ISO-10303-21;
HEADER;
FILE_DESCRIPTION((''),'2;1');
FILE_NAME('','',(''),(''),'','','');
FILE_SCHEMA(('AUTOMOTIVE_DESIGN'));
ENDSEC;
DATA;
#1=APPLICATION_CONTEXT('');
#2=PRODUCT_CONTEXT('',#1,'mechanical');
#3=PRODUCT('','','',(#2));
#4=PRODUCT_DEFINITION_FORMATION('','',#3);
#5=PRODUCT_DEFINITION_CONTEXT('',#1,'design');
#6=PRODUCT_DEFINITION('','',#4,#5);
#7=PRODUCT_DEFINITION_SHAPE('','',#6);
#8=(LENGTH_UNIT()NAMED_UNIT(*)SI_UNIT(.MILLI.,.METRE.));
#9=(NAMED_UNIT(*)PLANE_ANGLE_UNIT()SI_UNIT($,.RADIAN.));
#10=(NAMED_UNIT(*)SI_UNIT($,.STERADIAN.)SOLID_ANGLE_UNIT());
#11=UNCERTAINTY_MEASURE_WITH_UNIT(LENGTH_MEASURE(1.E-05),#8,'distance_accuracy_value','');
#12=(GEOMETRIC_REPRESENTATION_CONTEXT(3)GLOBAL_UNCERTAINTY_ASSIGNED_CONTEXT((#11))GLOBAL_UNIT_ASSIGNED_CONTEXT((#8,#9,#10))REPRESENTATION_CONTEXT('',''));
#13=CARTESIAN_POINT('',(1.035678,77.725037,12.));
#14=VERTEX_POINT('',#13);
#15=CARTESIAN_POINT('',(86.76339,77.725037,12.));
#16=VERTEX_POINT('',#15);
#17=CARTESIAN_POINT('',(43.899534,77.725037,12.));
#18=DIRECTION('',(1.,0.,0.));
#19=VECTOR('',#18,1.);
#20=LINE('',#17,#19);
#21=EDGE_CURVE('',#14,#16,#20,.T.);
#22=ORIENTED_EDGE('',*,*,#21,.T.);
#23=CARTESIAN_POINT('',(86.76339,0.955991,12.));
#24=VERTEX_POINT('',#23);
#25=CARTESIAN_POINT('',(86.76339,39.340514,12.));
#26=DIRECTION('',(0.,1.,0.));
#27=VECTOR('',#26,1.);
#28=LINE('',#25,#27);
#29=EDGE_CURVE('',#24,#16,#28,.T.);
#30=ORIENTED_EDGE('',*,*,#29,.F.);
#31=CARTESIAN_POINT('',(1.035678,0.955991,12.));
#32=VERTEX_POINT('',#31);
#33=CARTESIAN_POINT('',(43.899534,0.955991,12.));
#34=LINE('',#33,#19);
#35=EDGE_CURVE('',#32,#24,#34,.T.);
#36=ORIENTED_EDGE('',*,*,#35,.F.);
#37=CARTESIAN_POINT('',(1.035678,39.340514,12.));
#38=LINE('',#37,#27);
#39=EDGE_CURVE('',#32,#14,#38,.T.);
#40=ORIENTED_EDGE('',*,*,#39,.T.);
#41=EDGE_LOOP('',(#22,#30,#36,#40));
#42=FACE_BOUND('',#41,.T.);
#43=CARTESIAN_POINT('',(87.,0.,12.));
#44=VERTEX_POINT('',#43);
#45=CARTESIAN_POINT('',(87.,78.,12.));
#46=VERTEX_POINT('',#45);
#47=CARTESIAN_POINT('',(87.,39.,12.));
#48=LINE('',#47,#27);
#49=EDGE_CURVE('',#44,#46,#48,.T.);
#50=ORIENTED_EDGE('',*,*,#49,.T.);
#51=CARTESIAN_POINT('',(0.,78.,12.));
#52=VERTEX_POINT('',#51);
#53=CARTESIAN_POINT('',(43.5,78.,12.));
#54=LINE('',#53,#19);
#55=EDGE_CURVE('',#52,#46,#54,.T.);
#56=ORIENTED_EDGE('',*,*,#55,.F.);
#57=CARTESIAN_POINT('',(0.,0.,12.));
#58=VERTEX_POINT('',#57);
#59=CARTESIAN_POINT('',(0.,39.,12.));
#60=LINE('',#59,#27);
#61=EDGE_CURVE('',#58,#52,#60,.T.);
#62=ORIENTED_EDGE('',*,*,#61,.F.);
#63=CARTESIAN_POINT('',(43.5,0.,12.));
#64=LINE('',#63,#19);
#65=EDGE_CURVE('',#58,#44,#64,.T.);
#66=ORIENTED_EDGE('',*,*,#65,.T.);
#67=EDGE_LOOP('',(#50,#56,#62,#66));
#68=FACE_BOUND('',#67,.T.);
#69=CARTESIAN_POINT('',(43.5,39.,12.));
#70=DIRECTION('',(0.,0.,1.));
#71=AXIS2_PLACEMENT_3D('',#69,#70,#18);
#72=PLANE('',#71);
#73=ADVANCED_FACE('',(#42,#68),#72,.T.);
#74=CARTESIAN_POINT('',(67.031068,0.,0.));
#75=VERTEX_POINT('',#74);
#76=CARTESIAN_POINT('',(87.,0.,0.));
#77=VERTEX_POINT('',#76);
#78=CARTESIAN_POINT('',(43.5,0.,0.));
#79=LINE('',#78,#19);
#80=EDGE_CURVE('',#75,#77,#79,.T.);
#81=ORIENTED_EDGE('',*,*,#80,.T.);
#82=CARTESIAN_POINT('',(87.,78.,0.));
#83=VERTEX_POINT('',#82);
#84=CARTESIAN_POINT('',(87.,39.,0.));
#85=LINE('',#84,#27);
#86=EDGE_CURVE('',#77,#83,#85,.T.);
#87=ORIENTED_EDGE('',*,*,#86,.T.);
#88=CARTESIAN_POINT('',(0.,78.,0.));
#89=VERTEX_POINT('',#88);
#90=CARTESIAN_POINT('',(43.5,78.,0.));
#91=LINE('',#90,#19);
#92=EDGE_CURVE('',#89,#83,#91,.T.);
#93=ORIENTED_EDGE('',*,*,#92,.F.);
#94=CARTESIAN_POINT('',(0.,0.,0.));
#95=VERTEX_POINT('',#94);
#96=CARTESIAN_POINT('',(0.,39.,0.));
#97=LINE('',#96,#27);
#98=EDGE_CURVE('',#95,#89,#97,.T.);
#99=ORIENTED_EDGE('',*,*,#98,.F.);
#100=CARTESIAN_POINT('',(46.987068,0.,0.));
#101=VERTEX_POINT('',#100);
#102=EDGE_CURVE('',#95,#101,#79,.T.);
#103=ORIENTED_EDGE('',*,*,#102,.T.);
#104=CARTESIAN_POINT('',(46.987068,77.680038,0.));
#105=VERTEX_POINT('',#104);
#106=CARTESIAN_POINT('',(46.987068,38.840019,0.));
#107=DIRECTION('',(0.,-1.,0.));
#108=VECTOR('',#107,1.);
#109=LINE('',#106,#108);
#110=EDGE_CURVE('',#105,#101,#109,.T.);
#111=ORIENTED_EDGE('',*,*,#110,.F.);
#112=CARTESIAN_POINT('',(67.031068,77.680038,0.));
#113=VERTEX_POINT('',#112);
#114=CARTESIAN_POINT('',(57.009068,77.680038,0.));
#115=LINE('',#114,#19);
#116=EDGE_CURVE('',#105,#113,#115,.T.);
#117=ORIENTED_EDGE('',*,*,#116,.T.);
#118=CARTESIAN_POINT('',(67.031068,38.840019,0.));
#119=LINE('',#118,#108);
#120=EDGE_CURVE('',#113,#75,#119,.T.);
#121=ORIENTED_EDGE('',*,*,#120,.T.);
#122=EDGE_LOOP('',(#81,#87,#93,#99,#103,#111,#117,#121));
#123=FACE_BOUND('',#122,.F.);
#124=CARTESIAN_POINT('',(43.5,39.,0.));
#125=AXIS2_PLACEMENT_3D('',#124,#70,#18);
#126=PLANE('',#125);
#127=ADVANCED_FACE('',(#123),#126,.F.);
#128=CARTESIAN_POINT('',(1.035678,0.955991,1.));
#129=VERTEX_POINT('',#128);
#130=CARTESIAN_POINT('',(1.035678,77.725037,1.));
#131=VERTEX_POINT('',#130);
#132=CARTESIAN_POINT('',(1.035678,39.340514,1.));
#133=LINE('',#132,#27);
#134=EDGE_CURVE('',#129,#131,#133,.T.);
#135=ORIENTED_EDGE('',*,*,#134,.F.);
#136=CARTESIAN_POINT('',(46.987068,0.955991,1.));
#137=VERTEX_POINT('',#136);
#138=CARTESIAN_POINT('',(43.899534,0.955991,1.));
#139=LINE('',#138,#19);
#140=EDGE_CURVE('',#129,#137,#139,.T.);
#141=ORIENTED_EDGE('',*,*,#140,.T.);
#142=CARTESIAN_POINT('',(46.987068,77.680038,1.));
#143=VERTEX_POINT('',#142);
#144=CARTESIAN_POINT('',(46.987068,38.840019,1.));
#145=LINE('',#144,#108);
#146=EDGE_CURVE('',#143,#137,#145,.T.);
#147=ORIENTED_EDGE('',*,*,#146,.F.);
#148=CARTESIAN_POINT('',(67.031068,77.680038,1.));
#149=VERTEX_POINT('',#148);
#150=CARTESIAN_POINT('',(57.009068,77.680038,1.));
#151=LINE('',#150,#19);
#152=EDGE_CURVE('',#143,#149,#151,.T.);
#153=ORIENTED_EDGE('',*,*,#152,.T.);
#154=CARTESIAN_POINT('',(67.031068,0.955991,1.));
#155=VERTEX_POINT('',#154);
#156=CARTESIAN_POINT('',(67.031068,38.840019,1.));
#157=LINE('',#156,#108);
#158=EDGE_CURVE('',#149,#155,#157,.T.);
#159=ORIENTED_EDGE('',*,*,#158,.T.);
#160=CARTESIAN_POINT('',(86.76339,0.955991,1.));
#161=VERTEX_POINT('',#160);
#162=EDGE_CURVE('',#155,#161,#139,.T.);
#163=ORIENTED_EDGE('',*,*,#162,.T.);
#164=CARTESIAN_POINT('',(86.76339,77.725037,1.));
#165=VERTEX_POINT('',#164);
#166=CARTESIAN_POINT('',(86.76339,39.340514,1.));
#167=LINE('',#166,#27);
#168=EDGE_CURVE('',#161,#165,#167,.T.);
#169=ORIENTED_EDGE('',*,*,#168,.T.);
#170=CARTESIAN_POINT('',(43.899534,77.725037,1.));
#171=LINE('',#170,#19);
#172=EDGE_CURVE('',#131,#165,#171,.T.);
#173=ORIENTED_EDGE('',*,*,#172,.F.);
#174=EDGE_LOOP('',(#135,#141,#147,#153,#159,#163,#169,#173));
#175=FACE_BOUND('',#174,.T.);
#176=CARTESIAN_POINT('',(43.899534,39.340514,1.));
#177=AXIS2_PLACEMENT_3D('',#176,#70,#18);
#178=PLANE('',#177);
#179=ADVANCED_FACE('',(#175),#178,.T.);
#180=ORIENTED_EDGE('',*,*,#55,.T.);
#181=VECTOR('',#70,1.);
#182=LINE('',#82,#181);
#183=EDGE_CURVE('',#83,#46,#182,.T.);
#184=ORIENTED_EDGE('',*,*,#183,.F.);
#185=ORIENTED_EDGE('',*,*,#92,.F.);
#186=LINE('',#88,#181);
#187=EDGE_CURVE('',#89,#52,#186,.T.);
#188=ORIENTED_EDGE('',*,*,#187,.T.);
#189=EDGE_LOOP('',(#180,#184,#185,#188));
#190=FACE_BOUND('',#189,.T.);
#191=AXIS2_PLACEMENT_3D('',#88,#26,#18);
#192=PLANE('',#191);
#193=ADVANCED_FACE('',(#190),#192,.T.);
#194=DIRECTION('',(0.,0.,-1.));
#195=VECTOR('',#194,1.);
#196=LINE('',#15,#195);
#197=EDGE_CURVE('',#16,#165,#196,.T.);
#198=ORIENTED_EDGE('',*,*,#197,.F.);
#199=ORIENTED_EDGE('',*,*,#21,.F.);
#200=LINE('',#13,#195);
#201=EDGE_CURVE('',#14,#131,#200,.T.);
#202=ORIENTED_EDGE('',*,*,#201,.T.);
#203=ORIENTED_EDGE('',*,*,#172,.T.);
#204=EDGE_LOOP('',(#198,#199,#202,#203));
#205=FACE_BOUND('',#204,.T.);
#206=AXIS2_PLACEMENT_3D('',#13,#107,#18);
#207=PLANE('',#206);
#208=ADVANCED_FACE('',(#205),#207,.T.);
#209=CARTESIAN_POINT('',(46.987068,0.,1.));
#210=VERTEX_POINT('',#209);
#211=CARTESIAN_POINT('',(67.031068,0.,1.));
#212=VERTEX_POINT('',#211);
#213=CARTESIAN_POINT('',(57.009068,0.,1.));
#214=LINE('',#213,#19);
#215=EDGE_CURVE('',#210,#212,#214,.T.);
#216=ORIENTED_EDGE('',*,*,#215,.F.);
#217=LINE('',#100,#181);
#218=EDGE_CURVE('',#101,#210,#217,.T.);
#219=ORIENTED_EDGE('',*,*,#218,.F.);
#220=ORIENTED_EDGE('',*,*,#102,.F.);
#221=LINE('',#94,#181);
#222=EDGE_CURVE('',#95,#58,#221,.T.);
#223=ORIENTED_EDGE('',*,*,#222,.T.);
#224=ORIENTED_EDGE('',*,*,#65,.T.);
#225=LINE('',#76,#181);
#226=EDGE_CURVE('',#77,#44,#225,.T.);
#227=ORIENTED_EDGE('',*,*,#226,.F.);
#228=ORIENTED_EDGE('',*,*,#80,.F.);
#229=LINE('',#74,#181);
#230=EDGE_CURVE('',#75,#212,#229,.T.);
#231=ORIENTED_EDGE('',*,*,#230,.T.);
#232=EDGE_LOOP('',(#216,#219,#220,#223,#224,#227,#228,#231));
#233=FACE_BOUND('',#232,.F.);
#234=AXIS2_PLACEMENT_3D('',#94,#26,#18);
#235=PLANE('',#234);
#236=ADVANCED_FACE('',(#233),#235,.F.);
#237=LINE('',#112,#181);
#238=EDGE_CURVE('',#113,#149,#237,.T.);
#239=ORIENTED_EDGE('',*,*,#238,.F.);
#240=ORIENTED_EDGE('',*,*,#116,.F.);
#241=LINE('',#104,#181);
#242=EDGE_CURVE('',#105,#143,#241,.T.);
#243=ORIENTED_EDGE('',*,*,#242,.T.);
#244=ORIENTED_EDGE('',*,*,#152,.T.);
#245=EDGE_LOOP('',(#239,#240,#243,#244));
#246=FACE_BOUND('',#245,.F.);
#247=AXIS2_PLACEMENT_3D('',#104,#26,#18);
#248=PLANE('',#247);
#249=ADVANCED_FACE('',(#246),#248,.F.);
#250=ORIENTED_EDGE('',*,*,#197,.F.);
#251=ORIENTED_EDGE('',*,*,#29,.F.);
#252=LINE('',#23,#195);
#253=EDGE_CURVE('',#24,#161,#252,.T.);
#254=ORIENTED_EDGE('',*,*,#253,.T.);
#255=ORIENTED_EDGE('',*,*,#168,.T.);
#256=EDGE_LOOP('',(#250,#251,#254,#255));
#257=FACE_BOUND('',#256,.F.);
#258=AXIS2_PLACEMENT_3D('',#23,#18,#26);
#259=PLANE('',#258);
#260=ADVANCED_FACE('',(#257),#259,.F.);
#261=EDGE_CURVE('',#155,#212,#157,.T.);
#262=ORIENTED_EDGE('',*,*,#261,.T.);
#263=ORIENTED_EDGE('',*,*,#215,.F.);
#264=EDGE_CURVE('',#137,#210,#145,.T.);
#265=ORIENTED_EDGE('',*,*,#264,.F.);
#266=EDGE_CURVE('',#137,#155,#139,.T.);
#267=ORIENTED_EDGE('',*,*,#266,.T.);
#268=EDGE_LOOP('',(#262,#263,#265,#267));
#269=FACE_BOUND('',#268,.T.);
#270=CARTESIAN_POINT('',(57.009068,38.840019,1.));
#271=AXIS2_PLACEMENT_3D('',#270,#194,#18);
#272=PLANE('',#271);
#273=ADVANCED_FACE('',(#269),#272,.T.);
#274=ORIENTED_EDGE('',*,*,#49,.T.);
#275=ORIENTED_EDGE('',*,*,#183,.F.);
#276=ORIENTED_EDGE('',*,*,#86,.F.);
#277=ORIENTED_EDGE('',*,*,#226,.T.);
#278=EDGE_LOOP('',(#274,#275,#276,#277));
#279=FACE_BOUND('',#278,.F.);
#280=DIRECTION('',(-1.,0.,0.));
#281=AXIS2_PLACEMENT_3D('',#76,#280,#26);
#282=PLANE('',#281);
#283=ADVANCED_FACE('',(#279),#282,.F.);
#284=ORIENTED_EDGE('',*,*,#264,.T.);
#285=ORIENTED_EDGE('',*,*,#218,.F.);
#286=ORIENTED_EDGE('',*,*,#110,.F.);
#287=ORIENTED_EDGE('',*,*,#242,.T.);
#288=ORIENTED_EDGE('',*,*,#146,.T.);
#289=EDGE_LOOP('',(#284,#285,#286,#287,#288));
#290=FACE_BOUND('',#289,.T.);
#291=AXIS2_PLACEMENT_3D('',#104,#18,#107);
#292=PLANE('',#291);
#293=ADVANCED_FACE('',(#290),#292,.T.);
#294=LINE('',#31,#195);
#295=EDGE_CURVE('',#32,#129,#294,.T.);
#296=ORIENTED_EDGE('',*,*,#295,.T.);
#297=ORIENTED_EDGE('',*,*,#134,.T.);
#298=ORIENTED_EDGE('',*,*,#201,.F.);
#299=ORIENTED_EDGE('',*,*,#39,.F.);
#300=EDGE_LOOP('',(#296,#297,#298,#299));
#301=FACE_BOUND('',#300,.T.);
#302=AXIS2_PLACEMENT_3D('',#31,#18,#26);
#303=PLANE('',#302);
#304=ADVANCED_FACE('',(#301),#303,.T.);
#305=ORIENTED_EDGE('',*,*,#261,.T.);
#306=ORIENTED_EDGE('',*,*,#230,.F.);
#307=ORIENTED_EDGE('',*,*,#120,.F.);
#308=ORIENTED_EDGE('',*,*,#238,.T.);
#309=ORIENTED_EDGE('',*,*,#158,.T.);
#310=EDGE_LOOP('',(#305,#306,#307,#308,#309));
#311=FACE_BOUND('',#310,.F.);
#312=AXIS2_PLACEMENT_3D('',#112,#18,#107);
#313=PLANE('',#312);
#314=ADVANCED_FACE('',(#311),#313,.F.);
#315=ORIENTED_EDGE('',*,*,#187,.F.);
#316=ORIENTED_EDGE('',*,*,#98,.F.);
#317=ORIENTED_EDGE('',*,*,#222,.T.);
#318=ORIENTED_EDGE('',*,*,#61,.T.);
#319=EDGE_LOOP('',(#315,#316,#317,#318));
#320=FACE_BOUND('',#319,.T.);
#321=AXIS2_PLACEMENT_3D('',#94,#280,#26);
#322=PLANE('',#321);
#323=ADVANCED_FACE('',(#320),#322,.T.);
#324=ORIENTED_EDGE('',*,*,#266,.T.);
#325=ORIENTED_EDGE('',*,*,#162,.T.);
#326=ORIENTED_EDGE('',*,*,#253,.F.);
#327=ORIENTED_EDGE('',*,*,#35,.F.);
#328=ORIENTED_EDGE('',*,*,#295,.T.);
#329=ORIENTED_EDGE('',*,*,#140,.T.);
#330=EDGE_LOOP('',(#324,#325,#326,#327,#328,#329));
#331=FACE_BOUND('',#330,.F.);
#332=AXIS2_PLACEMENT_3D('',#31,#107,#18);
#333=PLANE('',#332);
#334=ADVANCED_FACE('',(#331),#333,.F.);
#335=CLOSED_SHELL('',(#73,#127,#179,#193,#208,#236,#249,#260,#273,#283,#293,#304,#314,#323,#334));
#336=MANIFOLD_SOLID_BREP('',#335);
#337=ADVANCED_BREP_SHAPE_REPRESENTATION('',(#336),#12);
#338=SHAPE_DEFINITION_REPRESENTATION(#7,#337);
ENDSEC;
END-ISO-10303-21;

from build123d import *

# Parameters (mm, degrees)
BOX_W           = 87
BOX_H           = 78
BOX_DEPTH       = 12
SKETCH_W        = 85.727713
SKETCH_H        = 76.769046
POCKET_DEPTH    = 11
SKETCH001_W     = 20.043999
SKETCH001_H     = 77.680038
POCKET001_DEPTH = 1


with BuildPart() as part:
    # Box → Box (new body)
    with BuildSketch(Plane.XY):
        with Locations((43.5, 39)):
            Rectangle(BOX_W, BOX_H)
    extrude(amount=BOX_DEPTH)

    # Sketch (on DatumPlane) → Pocket (cut)
    with BuildSketch(Plane.XY.offset(12)):
        with Locations((43.899534, 39.340514)):
            Rectangle(SKETCH_W, SKETCH_H)
    extrude(amount=-POCKET_DEPTH, mode=Mode.SUBTRACT)

    # Sketch001 (on DatumPlane) → Pocket001 (cut)
    with BuildSketch(Plane(origin=(0, 0, 0), x_dir=(1, 0, 0), z_dir=(0, 0, -1))):
        with Locations((57.009068, -38.840019)):
            Rectangle(SKETCH001_W, SKETCH001_H)
    extrude(amount=-POCKET001_DEPTH, mode=Mode.SUBTRACT)


solid = part.part
